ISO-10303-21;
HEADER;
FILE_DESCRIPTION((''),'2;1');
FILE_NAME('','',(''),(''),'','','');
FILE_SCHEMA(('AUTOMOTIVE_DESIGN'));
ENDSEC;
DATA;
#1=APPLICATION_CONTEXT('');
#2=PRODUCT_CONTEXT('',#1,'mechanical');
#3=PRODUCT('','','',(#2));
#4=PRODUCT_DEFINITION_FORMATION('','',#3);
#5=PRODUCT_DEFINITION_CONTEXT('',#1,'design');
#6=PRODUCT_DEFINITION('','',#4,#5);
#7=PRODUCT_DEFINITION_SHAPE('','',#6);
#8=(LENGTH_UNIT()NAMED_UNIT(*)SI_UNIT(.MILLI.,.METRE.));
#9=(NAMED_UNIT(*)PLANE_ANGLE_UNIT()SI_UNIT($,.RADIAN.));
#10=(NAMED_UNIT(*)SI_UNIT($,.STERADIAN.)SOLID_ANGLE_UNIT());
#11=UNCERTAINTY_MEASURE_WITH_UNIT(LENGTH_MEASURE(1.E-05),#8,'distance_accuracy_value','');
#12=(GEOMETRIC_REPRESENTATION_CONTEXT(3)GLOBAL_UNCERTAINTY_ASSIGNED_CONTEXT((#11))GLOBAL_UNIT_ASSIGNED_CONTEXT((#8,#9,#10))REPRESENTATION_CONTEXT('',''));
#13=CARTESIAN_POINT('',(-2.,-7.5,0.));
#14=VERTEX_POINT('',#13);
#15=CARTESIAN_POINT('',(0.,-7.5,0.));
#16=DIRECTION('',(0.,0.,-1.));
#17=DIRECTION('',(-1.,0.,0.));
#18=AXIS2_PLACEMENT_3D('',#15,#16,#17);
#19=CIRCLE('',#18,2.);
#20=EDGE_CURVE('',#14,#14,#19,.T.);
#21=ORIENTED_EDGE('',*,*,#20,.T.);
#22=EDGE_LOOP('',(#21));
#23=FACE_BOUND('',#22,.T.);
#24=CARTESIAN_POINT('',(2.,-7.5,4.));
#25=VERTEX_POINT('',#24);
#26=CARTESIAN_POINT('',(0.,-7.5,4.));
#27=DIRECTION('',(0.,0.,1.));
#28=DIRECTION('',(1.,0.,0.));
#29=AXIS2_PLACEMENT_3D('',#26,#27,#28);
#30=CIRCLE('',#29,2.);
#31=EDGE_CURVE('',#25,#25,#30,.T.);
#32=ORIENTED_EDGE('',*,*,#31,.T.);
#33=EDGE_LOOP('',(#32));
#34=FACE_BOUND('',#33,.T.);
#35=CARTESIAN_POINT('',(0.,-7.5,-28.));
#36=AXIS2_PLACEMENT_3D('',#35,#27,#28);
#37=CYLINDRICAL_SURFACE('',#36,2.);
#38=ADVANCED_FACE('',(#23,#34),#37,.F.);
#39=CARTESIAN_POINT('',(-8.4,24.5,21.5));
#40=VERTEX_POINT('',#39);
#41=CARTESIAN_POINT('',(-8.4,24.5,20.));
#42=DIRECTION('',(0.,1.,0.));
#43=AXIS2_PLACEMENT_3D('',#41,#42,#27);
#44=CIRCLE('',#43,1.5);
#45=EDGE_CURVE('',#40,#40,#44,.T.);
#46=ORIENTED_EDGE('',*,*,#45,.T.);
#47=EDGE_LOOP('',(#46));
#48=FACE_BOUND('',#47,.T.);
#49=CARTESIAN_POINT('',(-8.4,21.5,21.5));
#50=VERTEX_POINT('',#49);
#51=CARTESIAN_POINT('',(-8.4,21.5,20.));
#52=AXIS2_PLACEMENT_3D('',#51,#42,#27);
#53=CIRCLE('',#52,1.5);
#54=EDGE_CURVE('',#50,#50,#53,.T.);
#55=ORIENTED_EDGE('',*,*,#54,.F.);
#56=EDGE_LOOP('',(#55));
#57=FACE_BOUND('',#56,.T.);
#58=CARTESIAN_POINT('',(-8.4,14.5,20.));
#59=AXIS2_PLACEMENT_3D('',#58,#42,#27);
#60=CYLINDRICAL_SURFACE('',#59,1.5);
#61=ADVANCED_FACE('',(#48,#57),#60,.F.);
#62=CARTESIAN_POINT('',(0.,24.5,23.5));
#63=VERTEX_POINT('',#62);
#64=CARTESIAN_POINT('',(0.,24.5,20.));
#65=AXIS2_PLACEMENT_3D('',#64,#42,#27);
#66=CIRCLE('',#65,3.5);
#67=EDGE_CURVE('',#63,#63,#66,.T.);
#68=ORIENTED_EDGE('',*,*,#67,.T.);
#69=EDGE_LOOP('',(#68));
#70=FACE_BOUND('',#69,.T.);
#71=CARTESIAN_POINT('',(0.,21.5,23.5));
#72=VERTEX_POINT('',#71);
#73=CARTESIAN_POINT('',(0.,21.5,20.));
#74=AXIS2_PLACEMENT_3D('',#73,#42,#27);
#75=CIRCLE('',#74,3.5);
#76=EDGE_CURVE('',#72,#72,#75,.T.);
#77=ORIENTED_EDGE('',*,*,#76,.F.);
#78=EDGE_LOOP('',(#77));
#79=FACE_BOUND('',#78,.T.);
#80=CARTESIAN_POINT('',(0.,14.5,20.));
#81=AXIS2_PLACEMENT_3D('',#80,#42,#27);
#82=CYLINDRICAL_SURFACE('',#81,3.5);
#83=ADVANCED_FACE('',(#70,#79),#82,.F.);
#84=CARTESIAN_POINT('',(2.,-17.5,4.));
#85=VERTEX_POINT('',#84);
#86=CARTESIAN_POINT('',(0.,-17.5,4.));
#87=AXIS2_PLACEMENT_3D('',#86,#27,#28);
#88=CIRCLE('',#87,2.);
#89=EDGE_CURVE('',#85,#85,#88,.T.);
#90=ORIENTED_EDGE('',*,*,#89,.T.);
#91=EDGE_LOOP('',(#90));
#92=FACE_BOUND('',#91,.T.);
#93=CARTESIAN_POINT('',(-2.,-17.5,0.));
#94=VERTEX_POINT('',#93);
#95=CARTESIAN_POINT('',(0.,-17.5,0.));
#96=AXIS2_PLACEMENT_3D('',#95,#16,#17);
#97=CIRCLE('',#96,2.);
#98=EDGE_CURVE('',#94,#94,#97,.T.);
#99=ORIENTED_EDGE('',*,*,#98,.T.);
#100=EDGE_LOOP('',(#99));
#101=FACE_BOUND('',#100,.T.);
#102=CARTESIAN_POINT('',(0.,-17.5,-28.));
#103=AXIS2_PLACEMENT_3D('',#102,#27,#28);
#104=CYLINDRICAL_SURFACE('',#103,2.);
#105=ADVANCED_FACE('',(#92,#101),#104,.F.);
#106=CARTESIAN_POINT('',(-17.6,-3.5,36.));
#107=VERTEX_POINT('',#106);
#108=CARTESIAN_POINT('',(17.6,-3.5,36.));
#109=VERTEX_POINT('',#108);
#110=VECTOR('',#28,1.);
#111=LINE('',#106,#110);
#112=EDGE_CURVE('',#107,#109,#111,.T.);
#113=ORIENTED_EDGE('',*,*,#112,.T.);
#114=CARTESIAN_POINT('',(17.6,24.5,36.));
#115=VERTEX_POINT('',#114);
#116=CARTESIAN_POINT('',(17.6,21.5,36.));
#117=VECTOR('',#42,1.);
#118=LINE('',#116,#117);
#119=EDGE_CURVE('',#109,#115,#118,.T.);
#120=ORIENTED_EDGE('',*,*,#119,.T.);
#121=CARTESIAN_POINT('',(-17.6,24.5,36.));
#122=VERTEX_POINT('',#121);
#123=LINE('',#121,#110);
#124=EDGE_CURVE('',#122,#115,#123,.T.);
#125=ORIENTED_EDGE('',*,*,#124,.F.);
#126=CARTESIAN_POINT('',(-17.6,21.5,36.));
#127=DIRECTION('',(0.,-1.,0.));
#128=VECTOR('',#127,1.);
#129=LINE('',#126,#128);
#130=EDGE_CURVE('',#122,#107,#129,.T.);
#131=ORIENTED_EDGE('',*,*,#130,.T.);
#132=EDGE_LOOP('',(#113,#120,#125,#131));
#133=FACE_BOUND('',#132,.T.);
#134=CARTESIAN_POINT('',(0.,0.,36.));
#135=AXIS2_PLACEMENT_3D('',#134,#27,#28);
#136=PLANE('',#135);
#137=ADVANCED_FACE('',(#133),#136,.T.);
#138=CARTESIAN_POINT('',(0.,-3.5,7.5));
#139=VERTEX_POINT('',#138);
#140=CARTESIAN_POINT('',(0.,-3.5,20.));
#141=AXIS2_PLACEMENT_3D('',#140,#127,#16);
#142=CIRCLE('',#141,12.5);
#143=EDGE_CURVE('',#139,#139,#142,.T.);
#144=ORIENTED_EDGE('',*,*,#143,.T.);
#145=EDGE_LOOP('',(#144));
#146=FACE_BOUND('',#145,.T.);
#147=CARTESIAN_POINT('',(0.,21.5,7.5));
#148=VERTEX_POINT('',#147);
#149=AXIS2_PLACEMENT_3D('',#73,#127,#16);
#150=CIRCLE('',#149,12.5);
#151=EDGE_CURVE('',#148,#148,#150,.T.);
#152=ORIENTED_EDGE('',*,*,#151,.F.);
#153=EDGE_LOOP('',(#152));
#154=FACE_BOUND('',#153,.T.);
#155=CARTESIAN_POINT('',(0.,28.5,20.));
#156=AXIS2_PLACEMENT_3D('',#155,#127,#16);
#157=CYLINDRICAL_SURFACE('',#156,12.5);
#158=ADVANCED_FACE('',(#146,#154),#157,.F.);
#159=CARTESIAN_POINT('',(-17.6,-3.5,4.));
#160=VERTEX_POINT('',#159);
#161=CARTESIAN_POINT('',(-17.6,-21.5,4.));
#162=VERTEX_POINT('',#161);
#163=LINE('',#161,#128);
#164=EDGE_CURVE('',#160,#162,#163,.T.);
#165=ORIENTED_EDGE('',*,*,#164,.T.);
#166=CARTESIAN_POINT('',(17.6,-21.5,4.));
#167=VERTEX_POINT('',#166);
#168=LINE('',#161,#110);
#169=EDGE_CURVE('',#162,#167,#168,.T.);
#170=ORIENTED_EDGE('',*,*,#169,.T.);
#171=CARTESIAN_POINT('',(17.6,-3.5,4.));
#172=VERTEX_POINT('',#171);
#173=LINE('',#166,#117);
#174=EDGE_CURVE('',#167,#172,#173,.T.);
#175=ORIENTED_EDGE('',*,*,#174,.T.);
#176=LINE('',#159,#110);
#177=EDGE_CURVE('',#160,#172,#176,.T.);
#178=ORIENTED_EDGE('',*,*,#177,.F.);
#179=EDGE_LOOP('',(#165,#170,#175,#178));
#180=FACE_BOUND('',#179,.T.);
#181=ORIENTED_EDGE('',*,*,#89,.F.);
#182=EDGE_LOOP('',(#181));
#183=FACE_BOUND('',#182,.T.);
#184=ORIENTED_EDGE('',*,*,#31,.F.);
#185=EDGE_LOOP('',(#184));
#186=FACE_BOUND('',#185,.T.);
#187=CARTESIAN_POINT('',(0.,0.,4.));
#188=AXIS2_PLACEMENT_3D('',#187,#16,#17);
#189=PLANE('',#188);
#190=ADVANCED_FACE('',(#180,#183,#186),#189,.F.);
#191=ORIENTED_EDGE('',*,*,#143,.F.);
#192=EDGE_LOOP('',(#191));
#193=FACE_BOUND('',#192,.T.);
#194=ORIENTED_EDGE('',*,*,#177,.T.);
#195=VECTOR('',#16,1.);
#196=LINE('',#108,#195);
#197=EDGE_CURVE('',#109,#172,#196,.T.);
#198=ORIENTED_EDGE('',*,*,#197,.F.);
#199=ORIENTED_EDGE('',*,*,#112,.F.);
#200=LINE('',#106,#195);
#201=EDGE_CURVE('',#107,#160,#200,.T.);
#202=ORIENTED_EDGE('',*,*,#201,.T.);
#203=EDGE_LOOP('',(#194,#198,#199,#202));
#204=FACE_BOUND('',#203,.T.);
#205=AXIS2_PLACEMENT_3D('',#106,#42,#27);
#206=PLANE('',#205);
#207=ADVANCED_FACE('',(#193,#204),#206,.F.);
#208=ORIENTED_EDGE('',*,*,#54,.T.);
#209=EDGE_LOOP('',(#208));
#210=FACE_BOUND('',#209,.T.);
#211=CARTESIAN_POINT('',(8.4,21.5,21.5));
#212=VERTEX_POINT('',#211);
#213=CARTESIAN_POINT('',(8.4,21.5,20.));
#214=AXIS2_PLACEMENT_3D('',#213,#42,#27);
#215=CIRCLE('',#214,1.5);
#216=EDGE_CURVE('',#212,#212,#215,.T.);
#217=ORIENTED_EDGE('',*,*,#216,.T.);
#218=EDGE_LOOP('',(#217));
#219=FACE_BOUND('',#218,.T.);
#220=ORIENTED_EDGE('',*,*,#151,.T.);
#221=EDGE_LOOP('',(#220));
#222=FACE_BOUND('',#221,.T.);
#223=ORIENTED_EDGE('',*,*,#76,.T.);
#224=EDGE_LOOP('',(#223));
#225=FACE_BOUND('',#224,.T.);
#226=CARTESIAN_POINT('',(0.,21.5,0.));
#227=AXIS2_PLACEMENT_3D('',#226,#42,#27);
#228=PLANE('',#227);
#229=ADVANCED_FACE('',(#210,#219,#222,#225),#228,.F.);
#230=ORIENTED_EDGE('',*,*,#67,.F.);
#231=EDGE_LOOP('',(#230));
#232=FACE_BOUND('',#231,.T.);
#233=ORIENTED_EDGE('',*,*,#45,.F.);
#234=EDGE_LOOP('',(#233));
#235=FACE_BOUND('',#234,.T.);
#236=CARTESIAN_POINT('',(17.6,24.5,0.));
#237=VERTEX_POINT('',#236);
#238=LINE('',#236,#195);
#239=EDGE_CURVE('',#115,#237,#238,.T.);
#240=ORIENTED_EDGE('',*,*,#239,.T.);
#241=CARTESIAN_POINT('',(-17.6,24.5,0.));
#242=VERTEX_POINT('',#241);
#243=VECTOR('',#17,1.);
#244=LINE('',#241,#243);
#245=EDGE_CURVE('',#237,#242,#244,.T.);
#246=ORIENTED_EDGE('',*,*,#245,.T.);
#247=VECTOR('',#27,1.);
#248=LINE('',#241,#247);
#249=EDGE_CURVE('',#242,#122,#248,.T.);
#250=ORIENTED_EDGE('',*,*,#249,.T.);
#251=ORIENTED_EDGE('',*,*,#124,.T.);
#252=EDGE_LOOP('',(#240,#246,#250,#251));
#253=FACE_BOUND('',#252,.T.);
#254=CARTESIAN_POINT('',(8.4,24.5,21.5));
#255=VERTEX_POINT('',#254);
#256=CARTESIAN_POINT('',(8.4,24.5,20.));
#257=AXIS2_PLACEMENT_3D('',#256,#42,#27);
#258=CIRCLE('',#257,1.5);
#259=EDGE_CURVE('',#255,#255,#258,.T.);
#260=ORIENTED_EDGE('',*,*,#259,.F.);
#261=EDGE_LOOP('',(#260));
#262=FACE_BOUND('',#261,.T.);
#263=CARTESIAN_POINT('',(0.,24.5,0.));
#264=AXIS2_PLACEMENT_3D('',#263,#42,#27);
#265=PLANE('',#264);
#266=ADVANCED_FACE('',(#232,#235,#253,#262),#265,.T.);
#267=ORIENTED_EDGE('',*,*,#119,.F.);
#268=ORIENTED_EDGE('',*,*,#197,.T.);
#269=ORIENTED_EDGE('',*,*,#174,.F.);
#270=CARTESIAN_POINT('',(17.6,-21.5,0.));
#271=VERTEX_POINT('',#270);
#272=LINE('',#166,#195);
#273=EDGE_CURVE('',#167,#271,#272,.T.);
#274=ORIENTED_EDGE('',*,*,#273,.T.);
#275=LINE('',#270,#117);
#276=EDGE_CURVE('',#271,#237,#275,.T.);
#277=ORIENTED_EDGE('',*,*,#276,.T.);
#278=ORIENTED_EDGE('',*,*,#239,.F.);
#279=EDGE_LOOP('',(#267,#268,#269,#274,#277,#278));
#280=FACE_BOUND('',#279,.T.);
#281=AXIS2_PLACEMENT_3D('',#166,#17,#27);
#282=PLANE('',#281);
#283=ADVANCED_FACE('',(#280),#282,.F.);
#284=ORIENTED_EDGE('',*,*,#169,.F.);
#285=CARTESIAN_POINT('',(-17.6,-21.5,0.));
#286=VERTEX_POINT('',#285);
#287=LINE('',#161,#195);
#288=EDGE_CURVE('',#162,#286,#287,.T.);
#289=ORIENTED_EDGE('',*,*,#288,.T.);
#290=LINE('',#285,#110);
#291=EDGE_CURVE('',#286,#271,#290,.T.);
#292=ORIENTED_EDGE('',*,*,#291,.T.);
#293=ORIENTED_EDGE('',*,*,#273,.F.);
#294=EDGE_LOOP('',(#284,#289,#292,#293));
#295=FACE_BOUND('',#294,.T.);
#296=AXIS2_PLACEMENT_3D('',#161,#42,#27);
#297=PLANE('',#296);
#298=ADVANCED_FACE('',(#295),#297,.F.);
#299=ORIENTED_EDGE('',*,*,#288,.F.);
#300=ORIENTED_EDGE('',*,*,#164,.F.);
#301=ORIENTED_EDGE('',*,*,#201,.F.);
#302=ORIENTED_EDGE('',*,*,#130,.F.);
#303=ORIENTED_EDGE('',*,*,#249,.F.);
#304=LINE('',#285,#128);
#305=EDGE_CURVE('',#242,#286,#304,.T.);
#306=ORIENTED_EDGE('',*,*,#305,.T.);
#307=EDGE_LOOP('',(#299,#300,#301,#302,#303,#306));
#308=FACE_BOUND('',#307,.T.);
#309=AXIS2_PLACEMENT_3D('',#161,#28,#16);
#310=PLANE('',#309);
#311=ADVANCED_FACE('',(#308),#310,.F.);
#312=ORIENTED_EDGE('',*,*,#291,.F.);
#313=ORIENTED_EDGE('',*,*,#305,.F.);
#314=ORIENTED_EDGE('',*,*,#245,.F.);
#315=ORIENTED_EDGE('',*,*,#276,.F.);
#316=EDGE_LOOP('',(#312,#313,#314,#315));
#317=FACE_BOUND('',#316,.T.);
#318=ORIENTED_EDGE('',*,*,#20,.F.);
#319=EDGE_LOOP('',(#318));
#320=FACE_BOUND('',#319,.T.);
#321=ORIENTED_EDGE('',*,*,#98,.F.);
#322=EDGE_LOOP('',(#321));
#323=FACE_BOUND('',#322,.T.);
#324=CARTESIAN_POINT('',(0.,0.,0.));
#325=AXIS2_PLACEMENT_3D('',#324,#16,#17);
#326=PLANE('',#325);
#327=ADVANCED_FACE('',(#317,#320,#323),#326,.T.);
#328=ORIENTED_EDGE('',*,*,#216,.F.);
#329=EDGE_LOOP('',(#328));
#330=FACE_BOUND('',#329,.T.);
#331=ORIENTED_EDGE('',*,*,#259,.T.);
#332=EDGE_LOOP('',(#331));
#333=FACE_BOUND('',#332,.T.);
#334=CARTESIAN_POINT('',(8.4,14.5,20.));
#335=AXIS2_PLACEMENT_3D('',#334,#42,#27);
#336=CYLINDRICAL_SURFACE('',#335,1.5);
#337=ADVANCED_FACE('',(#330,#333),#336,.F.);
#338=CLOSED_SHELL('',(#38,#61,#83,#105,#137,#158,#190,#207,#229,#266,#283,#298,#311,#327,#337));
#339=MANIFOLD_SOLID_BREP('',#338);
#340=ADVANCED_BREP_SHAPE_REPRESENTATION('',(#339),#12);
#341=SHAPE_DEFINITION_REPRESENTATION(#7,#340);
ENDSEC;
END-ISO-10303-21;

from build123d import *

# Parameters (mm, degrees)
SKETCH_1_W          = 35.2
SKETCH_1_H          = 43
EXTRUDE_1_DEPTH     = 4
SKETCH_2_W          = 35.2
SKETCH_2_H          = 25
EXTRUDE_2_DEPTH     = 32
SKETCH_4_R          = 12.5
CUT_EXTRUDE_1_DEPTH = 32
SKETCH_6_R          = 2
CUT_EXTRUDE_2_DEPTH = 32
SKETCH_7_W          = 35.2
SKETCH_7_H          = 36
EXTRUDE_3_DEPTH     = 3
SKETCH_8_R          = 3.5
SKETCH_8_R_2        = 1.5
CUT_EXTRUDE_3_DEPTH = 10


with BuildPart() as part:
    # Эскиз1 → Бобышка-Вытянуть1 (new body)
    with BuildSketch(Plane.XY):
        Rectangle(SKETCH_1_W, SKETCH_1_H)
    extrude(amount=EXTRUDE_1_DEPTH)

    # Эскиз2 → Бобышка-Вытянуть2 (add)
    with BuildSketch(Plane.XY.offset(4)):
        with Locations((0, 9)):
            Rectangle(SKETCH_2_W, SKETCH_2_H)
    extrude(amount=EXTRUDE_2_DEPTH)

    # Эскиз4 → Вырез-Вытянуть1 (cut)
    with BuildSketch(Plane.XZ.offset(3.5)):
        with Locations(Location((0, 20, 0), (0, 0, 270))):
            Circle(SKETCH_4_R)
    extrude(amount=-CUT_EXTRUDE_1_DEPTH, mode=Mode.SUBTRACT)

    # Эскиз6 → Вырез-Вытянуть2 (cut)
    with BuildSketch(Plane.XY.offset(4)):
        with Locations((0, -7.5)):
            Circle(SKETCH_6_R)
        with Locations((0, -17.5)):
            Circle(SKETCH_6_R)
    extrude(amount=-CUT_EXTRUDE_2_DEPTH, mode=Mode.SUBTRACT)

    # Эскиз7 → Бобышка-Вытянуть3 (add)
    with BuildSketch(Plane(origin=(0, 21.5, 0), x_dir=(1, 0, 0), z_dir=(0, 1, 0))):
        with Locations((0, -18)):
            Rectangle(SKETCH_7_W, SKETCH_7_H)
    extrude(amount=EXTRUDE_3_DEPTH)

    # Эскиз8 → Вырез-Вытянуть3 (cut)
    with BuildSketch(Plane(origin=(0, 24.5, 0), x_dir=(1, 0, 0), z_dir=(0, 1, 0))):
        with Locations(Location((0, -20, 0), (0, 0, 270))):
            Circle(SKETCH_8_R)
        with Locations(Location((8.4, -20, 0), (0, 0, 270))):
            Circle(SKETCH_8_R_2)
        with Locations(Location((-8.4, -20, 0), (0, 0, 270))):
            Circle(SKETCH_8_R_2)
    extrude(amount=-CUT_EXTRUDE_3_DEPTH, mode=Mode.SUBTRACT)


solid = part.part
